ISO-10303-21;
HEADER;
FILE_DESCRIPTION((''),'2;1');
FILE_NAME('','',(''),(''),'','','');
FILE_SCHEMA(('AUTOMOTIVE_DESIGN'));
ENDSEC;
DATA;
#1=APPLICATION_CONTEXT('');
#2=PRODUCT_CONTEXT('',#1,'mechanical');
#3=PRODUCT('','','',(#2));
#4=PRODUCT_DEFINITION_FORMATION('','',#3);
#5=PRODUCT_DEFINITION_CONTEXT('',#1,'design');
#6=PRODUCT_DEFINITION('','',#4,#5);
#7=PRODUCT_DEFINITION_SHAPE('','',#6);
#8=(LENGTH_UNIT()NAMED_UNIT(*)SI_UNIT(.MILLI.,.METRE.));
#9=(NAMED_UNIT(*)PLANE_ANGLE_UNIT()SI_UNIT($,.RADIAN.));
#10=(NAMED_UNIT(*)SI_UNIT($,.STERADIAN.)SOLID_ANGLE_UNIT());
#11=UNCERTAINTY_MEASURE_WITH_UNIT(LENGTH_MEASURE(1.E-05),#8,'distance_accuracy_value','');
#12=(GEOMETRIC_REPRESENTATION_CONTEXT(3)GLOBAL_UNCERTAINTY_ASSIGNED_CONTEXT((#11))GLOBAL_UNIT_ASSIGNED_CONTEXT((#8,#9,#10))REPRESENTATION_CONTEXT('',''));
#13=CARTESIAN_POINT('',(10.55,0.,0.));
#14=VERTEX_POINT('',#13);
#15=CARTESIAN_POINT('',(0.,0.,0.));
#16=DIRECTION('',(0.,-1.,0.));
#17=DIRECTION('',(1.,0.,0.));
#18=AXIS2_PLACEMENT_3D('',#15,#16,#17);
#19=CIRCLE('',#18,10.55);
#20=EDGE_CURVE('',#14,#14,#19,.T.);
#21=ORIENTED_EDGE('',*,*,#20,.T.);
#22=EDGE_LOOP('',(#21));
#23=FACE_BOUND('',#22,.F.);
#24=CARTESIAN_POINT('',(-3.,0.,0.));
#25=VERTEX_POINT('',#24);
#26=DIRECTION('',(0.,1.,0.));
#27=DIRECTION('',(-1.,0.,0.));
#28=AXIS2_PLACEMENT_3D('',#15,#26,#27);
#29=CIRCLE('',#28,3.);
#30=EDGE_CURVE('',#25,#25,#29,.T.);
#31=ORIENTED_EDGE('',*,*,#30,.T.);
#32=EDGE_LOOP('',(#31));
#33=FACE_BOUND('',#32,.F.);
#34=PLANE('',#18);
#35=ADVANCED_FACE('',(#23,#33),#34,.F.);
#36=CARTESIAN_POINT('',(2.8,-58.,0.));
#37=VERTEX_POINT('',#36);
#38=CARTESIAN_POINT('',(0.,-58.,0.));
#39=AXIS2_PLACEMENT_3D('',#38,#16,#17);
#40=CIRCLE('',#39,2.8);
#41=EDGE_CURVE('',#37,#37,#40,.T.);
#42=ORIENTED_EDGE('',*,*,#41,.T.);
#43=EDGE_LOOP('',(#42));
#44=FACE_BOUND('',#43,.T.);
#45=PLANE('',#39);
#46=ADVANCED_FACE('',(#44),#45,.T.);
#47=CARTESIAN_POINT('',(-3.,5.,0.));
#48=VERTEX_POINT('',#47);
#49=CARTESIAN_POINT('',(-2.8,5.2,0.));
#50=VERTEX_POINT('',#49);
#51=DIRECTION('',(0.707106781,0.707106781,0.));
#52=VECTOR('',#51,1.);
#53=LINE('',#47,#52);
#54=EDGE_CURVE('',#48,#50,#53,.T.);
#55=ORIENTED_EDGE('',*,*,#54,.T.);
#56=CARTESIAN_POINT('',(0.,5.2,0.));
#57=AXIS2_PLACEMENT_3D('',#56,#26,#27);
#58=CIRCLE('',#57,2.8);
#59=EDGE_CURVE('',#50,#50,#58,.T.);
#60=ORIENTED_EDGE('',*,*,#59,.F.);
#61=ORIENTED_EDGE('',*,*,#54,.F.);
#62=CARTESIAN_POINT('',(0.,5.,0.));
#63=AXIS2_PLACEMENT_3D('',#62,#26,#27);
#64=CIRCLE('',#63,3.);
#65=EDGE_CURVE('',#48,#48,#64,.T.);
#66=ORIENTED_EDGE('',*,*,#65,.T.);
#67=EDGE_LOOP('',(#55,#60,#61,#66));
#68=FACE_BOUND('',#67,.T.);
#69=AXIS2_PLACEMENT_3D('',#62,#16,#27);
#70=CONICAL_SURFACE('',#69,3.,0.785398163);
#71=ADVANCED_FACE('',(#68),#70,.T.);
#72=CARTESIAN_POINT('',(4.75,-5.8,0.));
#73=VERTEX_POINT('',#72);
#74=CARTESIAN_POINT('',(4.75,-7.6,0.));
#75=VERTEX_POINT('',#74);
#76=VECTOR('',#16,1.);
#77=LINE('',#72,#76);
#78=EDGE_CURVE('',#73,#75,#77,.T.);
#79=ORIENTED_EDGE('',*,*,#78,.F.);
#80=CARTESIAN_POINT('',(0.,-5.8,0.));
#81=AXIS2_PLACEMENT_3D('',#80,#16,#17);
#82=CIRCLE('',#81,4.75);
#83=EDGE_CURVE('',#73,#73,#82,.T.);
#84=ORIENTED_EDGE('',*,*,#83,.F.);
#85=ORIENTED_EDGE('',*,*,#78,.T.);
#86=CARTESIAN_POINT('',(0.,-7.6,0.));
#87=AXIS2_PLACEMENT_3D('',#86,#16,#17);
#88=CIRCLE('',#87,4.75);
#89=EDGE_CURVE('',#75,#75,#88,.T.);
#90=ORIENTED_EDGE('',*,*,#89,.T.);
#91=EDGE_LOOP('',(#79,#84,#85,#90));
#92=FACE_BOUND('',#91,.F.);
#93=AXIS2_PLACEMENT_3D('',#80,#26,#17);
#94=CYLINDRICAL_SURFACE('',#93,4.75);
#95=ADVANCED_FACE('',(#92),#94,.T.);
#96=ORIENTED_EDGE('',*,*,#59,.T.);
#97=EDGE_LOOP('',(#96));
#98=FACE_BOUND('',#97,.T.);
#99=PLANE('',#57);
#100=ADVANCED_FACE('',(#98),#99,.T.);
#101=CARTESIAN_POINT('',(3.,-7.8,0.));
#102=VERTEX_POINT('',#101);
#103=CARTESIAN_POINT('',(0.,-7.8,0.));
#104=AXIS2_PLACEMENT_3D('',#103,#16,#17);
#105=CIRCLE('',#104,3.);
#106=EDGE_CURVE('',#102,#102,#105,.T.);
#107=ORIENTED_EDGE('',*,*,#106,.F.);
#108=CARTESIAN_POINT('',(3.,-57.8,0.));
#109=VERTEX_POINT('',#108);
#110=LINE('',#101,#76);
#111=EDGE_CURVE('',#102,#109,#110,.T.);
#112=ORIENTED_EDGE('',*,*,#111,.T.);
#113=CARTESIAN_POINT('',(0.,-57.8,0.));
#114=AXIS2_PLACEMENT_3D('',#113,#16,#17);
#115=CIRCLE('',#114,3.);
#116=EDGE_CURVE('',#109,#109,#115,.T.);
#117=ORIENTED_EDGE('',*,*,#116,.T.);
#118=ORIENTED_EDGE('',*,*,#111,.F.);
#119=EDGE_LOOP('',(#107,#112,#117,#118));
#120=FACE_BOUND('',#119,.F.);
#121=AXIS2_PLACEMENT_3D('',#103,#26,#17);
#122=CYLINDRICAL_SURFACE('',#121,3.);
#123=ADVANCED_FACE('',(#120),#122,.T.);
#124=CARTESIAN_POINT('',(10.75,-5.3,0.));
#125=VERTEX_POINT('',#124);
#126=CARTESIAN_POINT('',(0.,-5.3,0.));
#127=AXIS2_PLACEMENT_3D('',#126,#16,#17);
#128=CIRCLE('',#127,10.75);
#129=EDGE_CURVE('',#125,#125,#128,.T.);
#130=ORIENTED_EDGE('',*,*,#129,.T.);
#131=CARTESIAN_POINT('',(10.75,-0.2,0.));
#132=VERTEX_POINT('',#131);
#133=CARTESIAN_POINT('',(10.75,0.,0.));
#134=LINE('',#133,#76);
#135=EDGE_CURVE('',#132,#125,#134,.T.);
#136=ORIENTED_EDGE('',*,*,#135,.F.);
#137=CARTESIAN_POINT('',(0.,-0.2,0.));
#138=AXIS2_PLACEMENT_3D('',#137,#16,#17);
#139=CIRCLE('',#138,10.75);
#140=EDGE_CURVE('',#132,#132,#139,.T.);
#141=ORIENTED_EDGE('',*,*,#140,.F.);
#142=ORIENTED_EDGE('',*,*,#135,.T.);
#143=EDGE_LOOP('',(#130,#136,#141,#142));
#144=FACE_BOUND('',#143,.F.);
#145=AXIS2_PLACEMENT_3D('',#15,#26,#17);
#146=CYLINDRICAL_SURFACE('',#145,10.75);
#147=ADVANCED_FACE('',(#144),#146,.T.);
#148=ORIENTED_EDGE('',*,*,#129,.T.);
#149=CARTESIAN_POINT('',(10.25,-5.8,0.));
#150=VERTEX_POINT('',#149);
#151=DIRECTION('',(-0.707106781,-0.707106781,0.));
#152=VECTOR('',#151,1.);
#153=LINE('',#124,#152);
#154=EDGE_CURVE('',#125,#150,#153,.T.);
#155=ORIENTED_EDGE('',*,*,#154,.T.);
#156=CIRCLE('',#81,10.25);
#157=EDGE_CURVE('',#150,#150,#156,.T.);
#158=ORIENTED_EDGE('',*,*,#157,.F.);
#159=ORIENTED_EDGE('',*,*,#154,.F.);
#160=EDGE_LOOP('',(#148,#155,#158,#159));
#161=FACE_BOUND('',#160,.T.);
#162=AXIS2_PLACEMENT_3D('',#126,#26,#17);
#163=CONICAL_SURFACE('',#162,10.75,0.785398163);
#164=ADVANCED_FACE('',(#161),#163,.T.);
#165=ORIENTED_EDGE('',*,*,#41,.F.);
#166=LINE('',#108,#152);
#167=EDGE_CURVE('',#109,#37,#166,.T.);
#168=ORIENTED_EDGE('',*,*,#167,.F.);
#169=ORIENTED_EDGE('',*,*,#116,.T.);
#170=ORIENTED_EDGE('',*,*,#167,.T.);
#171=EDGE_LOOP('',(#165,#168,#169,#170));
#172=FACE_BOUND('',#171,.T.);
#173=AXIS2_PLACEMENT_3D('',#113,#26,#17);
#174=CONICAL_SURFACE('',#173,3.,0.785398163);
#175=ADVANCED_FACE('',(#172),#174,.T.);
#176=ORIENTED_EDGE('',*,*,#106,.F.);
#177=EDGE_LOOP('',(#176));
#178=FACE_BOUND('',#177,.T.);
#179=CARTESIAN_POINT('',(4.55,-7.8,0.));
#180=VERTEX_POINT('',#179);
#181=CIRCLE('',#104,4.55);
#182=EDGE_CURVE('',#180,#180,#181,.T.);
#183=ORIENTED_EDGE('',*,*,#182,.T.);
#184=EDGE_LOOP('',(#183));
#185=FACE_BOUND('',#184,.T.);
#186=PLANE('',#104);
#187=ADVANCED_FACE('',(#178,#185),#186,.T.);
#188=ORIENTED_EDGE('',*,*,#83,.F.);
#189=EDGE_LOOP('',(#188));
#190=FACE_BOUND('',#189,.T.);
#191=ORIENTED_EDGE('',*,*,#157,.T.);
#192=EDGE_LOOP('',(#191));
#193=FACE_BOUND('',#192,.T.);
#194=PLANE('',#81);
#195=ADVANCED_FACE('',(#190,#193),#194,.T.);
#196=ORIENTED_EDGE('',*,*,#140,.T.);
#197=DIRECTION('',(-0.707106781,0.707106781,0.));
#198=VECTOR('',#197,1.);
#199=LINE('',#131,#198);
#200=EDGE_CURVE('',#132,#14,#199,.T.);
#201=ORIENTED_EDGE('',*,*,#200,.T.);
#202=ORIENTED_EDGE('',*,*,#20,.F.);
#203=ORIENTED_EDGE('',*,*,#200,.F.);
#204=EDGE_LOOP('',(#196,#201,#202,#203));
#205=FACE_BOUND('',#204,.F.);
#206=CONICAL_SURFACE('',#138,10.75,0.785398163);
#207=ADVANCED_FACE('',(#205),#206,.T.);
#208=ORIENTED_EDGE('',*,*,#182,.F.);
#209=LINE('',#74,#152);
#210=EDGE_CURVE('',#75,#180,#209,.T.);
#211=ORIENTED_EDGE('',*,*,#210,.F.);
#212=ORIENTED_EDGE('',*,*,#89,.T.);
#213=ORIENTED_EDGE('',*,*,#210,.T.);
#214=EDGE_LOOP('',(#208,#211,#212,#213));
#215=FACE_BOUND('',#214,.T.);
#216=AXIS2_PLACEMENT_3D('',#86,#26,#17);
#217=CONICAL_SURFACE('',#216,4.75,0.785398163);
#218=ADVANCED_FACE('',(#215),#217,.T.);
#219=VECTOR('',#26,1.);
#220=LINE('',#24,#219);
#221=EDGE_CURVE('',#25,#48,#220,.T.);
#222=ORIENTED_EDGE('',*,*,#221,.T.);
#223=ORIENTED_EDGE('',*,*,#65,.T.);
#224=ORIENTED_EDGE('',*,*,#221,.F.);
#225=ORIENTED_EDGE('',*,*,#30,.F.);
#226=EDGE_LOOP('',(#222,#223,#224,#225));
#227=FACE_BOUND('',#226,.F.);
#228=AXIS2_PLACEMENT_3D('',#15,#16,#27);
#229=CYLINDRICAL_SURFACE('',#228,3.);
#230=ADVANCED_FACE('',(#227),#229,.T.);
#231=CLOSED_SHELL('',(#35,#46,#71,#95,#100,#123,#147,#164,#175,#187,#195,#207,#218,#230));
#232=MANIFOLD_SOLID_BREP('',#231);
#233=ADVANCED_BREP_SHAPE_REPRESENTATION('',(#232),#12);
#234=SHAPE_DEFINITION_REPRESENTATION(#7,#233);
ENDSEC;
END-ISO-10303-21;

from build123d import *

# Parameters (mm, degrees)
F0_R     = 10.75
F1_DEPTH = 5.8
F2_R     = 4.75
F3_DEPTH = 2
F4_R     = 3
F5_DEPTH = 50.2
F6_R     = 3
F7_DEPTH = 5.2
F8_SIZE  = 0.5
F9_SIZE  = 0.2


with BuildPart() as f1:
    # F0 (on Front) → F1 (new body)
    with BuildSketch(Plane.XZ):
        Circle(F0_R)
    extrude(amount=F1_DEPTH)

    # F2 (on face) → F3 (join)
    with BuildSketch(Plane.XZ.offset(5.8)):
        Circle(F2_R)
    extrude(amount=F3_DEPTH)

    # F4 (on face) → F5 (join)
    with BuildSketch(Plane.XZ.offset(7.8)):
        Circle(F4_R)
    extrude(amount=F5_DEPTH)

    # F6 (on face) → F7 (join)
    with BuildSketch(Plane(origin=(0, 0, 0), x_dir=(-1, 0, 0), z_dir=(0, 1, 0))):
        Circle(F6_R)
    extrude(amount=F7_DEPTH)

    # F8
    f8_edges = [f1.edges().sort_by_distance(p)[0] for p in [
        (-10.75, -5.8, 0),
    ]]
    chamfer(f8_edges, length=F8_SIZE)

    # F9
    f9_edges = [f1.edges().sort_by_distance(p)[0] for p in [
        (-4.75, -7.8, 0),
        (-3, -58, 0),
        (3, 5.2, 0),
        (-10.75, 0, 0),
    ]]
    chamfer(f9_edges, length=F9_SIZE)


solid = f1.part
